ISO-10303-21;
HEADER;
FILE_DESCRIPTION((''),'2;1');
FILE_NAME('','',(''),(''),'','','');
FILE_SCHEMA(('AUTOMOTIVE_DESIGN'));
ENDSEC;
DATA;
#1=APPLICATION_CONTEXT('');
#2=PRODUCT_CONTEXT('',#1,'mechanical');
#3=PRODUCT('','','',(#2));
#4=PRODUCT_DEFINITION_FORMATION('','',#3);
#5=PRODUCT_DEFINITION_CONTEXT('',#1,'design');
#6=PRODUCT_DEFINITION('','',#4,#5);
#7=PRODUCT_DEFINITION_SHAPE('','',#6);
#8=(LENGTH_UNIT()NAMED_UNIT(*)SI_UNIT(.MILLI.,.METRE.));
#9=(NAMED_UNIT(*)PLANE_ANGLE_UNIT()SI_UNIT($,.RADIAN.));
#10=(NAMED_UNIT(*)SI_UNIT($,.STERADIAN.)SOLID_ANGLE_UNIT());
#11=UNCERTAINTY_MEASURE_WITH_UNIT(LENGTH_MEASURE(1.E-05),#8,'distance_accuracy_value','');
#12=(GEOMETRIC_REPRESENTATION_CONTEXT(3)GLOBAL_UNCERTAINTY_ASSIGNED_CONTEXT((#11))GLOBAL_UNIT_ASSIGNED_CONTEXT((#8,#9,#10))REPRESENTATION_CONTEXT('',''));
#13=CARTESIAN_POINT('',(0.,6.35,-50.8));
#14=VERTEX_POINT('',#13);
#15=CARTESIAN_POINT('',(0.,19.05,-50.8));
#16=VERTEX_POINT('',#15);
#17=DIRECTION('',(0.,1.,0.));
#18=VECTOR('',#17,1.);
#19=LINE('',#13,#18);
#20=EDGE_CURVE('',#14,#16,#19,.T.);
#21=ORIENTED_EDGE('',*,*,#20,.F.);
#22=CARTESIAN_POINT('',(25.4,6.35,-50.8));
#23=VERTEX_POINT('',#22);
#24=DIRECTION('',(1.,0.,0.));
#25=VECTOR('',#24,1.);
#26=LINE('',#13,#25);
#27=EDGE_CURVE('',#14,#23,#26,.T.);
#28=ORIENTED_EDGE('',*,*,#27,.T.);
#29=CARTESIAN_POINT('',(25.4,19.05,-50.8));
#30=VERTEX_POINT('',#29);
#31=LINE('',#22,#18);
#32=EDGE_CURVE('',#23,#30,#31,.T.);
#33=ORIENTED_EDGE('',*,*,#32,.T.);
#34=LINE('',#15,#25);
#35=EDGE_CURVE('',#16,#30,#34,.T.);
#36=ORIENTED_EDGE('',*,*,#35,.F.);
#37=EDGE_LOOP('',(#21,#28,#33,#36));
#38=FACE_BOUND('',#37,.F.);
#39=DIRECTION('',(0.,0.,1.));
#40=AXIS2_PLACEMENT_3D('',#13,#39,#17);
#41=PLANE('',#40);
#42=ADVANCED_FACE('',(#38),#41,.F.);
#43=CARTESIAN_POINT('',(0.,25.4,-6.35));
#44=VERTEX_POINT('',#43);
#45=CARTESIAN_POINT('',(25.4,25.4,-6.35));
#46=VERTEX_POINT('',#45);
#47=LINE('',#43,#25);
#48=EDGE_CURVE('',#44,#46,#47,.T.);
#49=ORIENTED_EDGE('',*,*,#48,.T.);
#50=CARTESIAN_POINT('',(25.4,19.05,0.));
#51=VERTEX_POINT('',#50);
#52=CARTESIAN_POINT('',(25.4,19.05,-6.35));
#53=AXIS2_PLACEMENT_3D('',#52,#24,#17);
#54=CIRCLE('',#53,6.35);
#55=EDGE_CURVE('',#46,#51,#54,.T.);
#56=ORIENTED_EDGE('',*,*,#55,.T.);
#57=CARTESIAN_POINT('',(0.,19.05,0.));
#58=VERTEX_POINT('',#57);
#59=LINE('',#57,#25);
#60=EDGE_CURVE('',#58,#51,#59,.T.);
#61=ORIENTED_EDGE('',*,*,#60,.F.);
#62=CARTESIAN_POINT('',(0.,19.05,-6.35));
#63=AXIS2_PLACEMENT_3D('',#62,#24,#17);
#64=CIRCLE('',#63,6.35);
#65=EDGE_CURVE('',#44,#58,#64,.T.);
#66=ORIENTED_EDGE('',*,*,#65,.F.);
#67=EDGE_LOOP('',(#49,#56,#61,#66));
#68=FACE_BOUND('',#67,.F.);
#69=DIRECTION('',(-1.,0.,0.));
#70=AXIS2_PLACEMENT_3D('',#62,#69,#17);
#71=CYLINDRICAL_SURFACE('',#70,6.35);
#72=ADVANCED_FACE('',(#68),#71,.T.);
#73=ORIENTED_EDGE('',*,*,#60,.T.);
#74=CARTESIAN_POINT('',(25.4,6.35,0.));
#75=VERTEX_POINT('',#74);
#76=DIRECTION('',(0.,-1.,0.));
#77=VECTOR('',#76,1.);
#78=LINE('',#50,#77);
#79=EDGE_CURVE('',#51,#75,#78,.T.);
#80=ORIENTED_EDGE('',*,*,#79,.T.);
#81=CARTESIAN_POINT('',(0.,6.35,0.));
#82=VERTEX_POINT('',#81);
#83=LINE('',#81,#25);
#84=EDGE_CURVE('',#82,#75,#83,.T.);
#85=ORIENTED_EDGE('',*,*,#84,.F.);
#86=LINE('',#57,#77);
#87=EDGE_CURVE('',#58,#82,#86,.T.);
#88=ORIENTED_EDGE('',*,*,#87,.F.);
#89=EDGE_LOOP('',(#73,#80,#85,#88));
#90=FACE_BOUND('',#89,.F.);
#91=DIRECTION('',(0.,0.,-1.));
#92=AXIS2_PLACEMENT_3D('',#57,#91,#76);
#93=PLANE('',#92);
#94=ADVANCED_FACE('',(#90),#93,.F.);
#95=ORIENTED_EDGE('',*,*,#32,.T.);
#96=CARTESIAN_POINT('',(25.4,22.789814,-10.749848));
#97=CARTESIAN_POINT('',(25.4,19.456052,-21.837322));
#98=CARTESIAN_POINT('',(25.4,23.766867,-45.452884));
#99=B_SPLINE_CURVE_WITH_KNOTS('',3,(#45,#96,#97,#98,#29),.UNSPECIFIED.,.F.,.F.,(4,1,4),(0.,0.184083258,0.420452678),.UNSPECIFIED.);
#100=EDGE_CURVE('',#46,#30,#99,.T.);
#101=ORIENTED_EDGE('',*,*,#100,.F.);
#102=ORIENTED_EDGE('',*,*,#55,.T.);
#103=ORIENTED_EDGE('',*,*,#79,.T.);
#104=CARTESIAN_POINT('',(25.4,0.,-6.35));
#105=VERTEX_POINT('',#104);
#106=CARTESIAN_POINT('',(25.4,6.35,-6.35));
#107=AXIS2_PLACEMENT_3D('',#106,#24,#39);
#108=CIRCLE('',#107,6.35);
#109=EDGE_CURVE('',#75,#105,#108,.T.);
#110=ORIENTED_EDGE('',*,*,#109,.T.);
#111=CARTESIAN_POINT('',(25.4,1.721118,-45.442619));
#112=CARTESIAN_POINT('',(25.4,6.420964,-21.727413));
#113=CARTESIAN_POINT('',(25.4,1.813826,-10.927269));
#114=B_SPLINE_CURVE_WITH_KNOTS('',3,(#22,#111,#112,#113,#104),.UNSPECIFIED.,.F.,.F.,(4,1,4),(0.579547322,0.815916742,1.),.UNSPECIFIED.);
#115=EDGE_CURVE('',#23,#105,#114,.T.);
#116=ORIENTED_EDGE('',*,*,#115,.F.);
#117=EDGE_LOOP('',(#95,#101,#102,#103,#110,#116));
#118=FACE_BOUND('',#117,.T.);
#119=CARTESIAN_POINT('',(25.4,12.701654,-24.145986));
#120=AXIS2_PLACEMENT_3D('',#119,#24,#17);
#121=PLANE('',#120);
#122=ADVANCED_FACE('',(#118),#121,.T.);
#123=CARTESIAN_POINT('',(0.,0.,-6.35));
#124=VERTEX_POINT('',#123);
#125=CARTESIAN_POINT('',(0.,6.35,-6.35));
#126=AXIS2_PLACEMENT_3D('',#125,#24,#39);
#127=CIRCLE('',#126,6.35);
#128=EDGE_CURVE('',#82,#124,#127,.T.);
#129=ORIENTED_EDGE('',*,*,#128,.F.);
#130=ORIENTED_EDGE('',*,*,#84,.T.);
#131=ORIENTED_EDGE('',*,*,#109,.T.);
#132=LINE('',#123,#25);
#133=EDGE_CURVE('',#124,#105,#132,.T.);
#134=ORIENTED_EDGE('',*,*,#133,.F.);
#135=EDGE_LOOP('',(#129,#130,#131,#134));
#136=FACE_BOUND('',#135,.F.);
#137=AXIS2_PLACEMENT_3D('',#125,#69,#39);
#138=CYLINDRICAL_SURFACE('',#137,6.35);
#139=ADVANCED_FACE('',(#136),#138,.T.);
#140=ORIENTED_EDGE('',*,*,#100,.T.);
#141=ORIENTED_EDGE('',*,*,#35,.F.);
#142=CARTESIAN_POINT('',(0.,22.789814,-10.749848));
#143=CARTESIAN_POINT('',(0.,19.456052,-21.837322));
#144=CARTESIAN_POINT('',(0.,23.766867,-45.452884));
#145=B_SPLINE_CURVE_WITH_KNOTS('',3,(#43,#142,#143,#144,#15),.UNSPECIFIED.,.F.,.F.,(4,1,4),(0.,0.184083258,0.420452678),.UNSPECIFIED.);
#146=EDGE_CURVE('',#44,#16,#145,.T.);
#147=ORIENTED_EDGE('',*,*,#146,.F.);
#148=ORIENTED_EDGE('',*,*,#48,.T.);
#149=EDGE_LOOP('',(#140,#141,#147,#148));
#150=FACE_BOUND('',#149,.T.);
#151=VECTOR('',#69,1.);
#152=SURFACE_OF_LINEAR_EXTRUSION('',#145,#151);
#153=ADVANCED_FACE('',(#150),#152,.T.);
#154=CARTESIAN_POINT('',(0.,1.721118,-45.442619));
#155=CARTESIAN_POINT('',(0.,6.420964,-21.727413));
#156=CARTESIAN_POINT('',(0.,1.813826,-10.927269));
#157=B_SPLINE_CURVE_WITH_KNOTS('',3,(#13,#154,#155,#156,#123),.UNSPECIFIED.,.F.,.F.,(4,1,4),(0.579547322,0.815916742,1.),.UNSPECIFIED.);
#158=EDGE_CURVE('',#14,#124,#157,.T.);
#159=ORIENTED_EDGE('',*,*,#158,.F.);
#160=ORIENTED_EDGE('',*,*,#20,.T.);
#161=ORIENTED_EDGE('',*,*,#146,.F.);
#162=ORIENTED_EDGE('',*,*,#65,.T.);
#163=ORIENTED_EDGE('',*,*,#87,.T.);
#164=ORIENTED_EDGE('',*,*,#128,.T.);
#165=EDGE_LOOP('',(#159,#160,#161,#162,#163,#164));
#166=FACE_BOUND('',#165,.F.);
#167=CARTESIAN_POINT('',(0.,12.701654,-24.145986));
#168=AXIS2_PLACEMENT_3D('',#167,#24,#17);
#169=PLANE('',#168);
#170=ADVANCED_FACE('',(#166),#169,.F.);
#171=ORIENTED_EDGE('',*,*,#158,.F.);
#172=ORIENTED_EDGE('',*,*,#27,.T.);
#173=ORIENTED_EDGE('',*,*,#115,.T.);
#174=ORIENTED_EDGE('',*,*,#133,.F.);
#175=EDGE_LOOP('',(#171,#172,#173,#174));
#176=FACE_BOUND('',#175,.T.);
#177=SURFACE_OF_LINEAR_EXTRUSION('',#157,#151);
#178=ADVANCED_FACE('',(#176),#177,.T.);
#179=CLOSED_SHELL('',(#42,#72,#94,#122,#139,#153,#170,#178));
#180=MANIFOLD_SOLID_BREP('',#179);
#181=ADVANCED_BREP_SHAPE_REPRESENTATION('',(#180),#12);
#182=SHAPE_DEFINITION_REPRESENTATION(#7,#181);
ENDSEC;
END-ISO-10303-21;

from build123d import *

# Parameters (mm, degrees)
F1_DEPTH = 25.4


with BuildPart() as f1:
    # F0 (on Right) → F1 (new body)
    with BuildSketch(Plane.YZ):
        with BuildLine():
            Line((19.05, 0), (6.35, 0))
            ThreePointArc((6.35, 0), (1.8598719395, -1.8598719395), (0, -6.35))
            add(Edge.make_bspline(
                [(6.35, -50.8), (1.7211181581, -45.4426190817), (6.4209637754, -21.7274125651), (1.8138256531, -10.9272685438), (0, -6.35)],
                knots=[0.5795473217, 0.5795473217, 0.5795473217, 0.5795473217, 0.8159167424, 1, 1, 1, 1], degree=3))
            Line((6.35, -50.8), (19.05, -50.8))
            add(Edge.make_bspline(
                [(25.4, -6.35), (22.7898144257, -10.7498483351), (19.4560523669, -21.8373222844), (23.7668665824, -45.4528841637), (19.05, -50.8)],
                knots=[0, 0, 0, 0, 0.1840832576, 0.4204526783, 0.4204526783, 0.4204526783, 0.4204526783], degree=3))
            ThreePointArc((25.4, -6.35), (23.5401280605, -1.8598719395), (19.05, 0))
        make_face()
    extrude(amount=F1_DEPTH)


solid = f1.part
